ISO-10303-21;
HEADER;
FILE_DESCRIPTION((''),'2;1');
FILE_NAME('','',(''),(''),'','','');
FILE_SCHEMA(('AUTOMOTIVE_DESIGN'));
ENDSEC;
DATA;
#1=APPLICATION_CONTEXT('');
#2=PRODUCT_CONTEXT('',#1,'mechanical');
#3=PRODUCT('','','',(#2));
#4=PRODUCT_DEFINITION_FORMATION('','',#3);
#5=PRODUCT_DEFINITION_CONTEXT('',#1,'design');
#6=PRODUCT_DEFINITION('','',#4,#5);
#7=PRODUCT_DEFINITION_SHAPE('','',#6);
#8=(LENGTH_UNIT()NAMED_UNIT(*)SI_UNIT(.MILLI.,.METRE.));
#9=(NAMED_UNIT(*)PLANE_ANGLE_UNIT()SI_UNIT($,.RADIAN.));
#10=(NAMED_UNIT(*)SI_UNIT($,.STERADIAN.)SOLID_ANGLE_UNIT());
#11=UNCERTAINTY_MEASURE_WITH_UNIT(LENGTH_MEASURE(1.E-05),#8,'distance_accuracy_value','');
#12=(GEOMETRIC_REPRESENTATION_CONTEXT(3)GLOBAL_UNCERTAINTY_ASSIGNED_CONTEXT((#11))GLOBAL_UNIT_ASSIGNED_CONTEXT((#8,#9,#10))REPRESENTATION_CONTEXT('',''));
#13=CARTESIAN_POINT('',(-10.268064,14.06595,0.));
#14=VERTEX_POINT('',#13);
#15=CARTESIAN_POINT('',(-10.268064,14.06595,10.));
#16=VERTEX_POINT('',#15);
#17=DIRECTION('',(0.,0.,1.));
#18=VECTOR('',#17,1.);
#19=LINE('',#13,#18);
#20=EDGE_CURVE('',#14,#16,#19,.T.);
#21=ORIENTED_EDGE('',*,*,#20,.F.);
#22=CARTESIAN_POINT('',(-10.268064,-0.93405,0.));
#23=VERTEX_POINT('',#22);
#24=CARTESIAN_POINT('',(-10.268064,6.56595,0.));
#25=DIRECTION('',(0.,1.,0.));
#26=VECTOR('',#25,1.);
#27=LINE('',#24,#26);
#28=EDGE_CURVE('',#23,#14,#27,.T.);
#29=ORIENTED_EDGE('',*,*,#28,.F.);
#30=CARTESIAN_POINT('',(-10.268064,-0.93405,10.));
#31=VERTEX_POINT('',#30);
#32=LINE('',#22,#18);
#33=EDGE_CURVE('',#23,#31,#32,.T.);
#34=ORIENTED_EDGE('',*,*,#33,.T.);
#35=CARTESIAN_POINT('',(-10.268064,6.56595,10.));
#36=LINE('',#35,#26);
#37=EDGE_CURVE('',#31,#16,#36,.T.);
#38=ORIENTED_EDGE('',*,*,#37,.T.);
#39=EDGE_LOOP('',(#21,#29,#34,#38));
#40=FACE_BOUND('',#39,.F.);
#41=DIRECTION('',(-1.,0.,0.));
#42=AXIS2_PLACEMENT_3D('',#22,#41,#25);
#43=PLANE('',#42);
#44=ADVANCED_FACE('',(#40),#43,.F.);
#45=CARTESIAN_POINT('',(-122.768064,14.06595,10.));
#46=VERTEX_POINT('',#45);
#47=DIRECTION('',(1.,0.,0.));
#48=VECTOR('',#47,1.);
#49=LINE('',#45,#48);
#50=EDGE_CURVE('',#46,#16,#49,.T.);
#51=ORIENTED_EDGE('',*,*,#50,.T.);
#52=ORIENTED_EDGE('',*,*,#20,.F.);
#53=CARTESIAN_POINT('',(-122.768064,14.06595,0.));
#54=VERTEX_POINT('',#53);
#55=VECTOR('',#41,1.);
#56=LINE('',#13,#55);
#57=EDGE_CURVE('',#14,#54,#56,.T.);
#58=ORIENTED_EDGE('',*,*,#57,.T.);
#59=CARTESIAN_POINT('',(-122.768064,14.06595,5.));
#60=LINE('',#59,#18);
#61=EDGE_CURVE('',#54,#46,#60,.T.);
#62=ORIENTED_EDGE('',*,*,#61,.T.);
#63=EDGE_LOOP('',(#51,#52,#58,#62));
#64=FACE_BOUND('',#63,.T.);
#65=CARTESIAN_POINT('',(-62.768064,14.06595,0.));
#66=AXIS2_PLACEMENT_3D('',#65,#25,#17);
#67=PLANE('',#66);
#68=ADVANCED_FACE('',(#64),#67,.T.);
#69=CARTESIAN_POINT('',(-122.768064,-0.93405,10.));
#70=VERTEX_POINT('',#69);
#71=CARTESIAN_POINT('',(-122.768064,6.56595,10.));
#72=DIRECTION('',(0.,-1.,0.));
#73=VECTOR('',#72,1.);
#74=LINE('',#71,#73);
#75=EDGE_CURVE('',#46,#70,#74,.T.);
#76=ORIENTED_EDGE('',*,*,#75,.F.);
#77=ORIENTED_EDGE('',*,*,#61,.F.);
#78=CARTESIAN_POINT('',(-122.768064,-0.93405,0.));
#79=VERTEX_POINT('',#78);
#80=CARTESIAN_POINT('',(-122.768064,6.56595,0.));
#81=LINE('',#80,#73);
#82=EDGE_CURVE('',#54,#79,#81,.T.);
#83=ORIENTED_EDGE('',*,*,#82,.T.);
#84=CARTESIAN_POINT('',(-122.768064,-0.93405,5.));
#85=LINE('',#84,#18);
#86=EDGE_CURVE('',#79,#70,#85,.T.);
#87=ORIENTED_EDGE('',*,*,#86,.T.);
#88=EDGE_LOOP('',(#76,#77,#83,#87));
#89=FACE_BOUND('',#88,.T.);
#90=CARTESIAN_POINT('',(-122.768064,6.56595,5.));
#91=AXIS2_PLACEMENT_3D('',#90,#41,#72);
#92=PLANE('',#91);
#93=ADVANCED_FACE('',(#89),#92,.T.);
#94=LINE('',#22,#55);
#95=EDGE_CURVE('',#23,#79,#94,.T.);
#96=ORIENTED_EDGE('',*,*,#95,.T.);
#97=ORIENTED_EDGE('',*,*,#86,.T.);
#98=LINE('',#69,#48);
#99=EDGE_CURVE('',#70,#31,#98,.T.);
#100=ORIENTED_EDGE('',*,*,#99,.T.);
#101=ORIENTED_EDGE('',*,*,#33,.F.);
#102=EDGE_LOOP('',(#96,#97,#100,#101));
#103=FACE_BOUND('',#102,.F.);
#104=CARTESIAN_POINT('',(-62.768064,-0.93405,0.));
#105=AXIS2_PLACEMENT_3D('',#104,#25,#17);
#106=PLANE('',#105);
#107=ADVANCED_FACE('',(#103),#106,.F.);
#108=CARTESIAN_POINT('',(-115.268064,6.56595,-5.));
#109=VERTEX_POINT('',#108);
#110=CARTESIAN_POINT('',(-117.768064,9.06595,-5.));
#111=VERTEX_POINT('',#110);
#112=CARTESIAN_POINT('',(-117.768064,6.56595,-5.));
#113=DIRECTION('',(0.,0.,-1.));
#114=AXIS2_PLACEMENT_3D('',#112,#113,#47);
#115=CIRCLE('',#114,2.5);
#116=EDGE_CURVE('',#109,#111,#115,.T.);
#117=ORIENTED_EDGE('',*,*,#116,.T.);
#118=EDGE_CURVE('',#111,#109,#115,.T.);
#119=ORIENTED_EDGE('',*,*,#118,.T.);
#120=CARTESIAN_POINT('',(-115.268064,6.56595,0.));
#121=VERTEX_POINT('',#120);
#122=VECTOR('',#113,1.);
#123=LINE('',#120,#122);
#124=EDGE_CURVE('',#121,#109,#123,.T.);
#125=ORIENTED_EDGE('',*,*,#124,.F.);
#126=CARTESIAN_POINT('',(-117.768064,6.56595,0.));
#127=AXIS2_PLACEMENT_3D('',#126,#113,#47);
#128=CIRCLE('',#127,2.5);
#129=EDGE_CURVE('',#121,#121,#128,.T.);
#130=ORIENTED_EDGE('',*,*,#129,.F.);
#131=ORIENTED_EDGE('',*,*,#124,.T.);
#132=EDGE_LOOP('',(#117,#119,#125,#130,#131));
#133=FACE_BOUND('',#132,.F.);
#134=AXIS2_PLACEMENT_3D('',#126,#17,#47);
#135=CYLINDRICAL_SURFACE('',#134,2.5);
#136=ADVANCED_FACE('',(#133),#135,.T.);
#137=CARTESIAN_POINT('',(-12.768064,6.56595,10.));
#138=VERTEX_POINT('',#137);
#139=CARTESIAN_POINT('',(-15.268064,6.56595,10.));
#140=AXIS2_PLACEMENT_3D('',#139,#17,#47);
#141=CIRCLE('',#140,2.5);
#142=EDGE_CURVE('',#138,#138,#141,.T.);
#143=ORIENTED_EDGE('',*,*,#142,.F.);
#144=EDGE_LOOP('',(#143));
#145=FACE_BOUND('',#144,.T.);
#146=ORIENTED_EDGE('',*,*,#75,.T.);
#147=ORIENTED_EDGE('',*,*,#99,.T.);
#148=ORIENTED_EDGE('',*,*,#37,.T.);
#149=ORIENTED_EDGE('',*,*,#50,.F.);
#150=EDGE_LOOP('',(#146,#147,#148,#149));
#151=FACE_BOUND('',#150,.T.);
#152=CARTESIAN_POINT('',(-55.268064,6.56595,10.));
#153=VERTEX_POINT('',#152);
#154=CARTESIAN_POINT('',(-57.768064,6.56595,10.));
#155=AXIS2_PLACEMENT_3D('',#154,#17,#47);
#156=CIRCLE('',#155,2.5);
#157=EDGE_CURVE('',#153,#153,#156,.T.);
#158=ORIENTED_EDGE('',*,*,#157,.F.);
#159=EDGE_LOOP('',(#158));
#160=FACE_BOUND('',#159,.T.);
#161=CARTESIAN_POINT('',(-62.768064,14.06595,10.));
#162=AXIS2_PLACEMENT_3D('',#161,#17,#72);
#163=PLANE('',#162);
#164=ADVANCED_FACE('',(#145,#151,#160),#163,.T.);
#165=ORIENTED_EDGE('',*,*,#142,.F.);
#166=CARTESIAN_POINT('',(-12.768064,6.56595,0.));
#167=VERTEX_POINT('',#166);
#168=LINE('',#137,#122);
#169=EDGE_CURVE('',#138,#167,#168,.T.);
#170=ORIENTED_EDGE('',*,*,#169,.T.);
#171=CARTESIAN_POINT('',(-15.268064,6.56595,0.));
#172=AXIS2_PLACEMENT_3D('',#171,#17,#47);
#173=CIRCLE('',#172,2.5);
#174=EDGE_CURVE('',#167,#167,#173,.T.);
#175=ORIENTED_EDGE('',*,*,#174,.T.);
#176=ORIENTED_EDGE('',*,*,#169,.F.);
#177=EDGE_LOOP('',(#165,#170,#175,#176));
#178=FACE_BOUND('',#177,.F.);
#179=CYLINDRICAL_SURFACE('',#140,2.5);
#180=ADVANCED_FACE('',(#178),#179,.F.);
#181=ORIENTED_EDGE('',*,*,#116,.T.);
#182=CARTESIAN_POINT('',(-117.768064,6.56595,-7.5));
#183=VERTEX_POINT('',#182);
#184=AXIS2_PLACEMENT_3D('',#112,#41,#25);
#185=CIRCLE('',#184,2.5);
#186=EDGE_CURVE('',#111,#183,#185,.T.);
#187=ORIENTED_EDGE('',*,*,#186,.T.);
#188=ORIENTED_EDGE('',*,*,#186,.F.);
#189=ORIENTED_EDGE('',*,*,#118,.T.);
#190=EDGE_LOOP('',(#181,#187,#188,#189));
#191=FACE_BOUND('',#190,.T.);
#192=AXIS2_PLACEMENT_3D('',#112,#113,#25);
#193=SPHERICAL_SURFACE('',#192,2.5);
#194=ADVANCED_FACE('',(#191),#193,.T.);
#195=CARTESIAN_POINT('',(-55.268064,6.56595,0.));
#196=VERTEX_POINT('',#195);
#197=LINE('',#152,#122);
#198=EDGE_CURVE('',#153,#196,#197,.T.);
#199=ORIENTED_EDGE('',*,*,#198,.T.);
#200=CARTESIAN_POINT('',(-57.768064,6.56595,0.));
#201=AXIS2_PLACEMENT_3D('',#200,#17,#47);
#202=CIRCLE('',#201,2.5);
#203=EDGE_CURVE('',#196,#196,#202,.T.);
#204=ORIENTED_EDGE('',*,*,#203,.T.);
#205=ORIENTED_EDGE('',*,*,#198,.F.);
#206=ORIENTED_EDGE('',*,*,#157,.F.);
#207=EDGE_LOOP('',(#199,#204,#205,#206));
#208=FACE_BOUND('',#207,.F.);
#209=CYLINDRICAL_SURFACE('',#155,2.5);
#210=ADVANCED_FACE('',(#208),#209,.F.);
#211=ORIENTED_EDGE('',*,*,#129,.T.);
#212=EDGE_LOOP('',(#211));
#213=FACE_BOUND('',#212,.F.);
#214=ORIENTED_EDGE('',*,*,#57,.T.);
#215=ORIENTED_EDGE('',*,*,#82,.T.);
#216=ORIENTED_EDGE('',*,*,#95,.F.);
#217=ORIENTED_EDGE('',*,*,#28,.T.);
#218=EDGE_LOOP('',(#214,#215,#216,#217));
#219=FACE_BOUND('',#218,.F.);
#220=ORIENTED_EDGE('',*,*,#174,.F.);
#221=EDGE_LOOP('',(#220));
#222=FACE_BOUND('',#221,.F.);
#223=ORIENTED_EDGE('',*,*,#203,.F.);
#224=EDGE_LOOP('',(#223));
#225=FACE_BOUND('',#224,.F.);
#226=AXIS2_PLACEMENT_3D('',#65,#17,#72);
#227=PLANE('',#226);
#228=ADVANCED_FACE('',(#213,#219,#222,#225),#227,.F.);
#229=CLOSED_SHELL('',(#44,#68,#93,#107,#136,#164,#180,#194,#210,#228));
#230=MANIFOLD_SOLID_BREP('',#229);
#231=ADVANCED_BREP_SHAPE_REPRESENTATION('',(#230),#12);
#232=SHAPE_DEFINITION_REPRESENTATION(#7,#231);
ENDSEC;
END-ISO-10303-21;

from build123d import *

# Parameters (mm, degrees)
F0_W     = 52.5
F0_H     = 15
F1_DEPTH = 10
F2_R     = 2.5
F3_DEPTH = 25
F4_W     = 15
F4_H     = 10
F5_DEPTH = 60
F6_R     = 2.5
F7_DEPTH = 5


with BuildPart() as f1:
    # F0 (on Top) → F1 (new body)
    with BuildSketch(Plane.XY):
        with Locations((-36.5180644393, 6.5659499308)):
            Rectangle(F0_W, F0_H)
    extrude(amount=F1_DEPTH)

    # F2 (on face) → F3 (cut)
    with BuildSketch(Plane.XY.offset(10)):
        with Locations((-15.2680644393, 6.5659499308)):
            Circle(F2_R)
        with Locations((-57.7680644393, 6.5659499308)):
            Circle(F2_R)
    extrude(amount=-F3_DEPTH, mode=Mode.SUBTRACT)

    # F4 (on face) → F5 (join)
    with BuildSketch(Plane(origin=(-62.7680644393, 0, 0), x_dir=(0, -1, 0), z_dir=(-1, 0, 0))):
        with Locations((-6.5659499308, 5)):
            Rectangle(F4_W, F4_H)
    extrude(amount=F5_DEPTH)

    # F6 (on face) → F7 (join)
    with BuildSketch(Plane(origin=(0, 0, 0), x_dir=(1, 0, 0), z_dir=(0, 0, -1))):
        with Locations((-117.7680644393, -6.5659499308)):
            Circle(F6_R)
    extrude(amount=F7_DEPTH)

    # F10 (on offset) → F11 (revolve)
    with BuildSketch(Plane(origin=(-117.7680644393, 0, 0), x_dir=(0, -1, 0), z_dir=(-1, 0, 0))):
        with BuildLine():
            Line((-6.5659499308, -5), (-9.0659499308, -5))
            ThreePointArc((-9.0659499308, -5), (-8.3337168838, -6.767766953), (-6.5659499308, -7.5))
            Line((-6.5659499308, -7.5), (-6.5659499308, -5))
        make_face()
    revolve(axis=Axis((-117.7680644393, 6.5659499308, -6.25), (0, 0, -1)))


solid = f1.part
